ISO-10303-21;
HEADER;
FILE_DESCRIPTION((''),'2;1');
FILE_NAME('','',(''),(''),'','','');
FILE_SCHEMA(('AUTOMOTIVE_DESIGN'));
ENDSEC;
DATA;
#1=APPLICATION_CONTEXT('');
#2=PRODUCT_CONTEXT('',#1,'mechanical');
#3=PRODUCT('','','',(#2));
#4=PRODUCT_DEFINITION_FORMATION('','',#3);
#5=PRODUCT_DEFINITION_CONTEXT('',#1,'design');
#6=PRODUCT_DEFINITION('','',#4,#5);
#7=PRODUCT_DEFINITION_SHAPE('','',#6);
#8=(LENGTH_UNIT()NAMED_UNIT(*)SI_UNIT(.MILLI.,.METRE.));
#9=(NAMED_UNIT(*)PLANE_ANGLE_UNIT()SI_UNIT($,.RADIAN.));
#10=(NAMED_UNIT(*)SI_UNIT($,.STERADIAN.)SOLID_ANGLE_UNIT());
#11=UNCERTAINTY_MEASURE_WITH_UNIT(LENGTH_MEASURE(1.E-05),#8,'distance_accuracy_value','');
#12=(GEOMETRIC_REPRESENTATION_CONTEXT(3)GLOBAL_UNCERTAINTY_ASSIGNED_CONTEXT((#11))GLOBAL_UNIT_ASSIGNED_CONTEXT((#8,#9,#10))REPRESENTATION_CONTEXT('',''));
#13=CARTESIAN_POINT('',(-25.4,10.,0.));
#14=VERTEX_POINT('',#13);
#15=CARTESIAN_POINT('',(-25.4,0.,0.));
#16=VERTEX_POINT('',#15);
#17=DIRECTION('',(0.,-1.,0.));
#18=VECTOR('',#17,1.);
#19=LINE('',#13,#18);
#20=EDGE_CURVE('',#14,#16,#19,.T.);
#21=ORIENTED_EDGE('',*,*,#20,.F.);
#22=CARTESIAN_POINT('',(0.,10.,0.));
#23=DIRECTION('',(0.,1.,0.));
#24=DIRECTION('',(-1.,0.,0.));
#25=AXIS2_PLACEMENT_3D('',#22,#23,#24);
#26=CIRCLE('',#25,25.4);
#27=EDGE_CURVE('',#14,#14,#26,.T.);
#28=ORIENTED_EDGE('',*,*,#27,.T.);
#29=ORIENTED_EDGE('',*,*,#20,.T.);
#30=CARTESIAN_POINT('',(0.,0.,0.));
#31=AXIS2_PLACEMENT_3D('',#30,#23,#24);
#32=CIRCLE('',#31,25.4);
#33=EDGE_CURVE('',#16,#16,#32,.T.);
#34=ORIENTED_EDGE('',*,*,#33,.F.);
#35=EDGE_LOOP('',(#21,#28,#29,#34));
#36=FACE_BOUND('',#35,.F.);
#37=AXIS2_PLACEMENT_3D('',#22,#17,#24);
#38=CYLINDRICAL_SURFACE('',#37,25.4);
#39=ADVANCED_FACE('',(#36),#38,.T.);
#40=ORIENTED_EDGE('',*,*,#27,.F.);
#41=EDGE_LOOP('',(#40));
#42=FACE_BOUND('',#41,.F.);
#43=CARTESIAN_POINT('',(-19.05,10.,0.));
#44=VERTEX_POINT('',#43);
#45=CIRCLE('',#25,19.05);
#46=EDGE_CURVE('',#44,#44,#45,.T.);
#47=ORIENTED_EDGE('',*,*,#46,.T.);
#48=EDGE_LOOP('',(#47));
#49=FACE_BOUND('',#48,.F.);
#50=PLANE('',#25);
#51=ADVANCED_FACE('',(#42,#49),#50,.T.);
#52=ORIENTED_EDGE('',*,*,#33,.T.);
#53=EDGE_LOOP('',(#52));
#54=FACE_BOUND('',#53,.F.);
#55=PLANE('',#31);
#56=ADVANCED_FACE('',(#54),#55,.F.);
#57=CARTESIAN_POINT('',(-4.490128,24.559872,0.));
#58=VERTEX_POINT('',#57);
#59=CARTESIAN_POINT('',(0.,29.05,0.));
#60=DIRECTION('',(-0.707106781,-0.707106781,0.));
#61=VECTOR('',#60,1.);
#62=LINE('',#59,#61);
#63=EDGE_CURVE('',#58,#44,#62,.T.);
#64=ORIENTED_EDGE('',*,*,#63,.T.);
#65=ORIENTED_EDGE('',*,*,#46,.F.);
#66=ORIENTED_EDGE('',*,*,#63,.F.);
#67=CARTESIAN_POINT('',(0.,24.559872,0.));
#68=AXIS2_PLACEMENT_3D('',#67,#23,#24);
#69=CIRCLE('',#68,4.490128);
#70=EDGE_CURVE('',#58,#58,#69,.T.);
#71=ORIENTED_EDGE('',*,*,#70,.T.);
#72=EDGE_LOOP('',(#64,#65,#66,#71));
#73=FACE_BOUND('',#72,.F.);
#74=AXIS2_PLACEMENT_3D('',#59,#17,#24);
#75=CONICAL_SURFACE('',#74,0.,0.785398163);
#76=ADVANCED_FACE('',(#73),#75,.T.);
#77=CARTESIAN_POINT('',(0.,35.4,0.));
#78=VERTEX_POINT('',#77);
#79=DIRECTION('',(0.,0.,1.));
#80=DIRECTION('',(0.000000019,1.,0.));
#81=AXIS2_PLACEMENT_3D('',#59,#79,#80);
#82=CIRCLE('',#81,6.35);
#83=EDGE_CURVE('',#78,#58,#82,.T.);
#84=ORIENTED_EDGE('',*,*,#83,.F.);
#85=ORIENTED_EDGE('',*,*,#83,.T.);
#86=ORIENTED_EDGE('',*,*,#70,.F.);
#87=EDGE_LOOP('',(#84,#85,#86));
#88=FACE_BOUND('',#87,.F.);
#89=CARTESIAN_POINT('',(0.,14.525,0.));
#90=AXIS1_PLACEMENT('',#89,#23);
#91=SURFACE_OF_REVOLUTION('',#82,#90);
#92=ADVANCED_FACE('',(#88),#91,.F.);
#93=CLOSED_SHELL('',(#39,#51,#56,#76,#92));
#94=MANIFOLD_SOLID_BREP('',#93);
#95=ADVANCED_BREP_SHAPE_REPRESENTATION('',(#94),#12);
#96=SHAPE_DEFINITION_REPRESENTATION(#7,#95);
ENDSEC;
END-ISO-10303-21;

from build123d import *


with BuildPart() as f1:
    # F0 (on Top) → F1 (revolve)
    with BuildSketch(Plane.XY):
        Polygon((-25.4, 0), (0, 0), (0, 29.05), (-4.490128, 24.559872), (-19.05, 10), (-25.4, 10), align=None)
        with BuildLine():
            Line((-4.490128, 24.559872), (0, 29.05))
            Line((0, 29.05), (0, 35.4))
            ThreePointArc((0, 35.4), (-5.866635, 31.48004), (-4.490128, 24.559872))
        make_face()
    revolve(axis=Axis((0, 14.525, 0), (0, 1, 0)))


solid = f1.part
